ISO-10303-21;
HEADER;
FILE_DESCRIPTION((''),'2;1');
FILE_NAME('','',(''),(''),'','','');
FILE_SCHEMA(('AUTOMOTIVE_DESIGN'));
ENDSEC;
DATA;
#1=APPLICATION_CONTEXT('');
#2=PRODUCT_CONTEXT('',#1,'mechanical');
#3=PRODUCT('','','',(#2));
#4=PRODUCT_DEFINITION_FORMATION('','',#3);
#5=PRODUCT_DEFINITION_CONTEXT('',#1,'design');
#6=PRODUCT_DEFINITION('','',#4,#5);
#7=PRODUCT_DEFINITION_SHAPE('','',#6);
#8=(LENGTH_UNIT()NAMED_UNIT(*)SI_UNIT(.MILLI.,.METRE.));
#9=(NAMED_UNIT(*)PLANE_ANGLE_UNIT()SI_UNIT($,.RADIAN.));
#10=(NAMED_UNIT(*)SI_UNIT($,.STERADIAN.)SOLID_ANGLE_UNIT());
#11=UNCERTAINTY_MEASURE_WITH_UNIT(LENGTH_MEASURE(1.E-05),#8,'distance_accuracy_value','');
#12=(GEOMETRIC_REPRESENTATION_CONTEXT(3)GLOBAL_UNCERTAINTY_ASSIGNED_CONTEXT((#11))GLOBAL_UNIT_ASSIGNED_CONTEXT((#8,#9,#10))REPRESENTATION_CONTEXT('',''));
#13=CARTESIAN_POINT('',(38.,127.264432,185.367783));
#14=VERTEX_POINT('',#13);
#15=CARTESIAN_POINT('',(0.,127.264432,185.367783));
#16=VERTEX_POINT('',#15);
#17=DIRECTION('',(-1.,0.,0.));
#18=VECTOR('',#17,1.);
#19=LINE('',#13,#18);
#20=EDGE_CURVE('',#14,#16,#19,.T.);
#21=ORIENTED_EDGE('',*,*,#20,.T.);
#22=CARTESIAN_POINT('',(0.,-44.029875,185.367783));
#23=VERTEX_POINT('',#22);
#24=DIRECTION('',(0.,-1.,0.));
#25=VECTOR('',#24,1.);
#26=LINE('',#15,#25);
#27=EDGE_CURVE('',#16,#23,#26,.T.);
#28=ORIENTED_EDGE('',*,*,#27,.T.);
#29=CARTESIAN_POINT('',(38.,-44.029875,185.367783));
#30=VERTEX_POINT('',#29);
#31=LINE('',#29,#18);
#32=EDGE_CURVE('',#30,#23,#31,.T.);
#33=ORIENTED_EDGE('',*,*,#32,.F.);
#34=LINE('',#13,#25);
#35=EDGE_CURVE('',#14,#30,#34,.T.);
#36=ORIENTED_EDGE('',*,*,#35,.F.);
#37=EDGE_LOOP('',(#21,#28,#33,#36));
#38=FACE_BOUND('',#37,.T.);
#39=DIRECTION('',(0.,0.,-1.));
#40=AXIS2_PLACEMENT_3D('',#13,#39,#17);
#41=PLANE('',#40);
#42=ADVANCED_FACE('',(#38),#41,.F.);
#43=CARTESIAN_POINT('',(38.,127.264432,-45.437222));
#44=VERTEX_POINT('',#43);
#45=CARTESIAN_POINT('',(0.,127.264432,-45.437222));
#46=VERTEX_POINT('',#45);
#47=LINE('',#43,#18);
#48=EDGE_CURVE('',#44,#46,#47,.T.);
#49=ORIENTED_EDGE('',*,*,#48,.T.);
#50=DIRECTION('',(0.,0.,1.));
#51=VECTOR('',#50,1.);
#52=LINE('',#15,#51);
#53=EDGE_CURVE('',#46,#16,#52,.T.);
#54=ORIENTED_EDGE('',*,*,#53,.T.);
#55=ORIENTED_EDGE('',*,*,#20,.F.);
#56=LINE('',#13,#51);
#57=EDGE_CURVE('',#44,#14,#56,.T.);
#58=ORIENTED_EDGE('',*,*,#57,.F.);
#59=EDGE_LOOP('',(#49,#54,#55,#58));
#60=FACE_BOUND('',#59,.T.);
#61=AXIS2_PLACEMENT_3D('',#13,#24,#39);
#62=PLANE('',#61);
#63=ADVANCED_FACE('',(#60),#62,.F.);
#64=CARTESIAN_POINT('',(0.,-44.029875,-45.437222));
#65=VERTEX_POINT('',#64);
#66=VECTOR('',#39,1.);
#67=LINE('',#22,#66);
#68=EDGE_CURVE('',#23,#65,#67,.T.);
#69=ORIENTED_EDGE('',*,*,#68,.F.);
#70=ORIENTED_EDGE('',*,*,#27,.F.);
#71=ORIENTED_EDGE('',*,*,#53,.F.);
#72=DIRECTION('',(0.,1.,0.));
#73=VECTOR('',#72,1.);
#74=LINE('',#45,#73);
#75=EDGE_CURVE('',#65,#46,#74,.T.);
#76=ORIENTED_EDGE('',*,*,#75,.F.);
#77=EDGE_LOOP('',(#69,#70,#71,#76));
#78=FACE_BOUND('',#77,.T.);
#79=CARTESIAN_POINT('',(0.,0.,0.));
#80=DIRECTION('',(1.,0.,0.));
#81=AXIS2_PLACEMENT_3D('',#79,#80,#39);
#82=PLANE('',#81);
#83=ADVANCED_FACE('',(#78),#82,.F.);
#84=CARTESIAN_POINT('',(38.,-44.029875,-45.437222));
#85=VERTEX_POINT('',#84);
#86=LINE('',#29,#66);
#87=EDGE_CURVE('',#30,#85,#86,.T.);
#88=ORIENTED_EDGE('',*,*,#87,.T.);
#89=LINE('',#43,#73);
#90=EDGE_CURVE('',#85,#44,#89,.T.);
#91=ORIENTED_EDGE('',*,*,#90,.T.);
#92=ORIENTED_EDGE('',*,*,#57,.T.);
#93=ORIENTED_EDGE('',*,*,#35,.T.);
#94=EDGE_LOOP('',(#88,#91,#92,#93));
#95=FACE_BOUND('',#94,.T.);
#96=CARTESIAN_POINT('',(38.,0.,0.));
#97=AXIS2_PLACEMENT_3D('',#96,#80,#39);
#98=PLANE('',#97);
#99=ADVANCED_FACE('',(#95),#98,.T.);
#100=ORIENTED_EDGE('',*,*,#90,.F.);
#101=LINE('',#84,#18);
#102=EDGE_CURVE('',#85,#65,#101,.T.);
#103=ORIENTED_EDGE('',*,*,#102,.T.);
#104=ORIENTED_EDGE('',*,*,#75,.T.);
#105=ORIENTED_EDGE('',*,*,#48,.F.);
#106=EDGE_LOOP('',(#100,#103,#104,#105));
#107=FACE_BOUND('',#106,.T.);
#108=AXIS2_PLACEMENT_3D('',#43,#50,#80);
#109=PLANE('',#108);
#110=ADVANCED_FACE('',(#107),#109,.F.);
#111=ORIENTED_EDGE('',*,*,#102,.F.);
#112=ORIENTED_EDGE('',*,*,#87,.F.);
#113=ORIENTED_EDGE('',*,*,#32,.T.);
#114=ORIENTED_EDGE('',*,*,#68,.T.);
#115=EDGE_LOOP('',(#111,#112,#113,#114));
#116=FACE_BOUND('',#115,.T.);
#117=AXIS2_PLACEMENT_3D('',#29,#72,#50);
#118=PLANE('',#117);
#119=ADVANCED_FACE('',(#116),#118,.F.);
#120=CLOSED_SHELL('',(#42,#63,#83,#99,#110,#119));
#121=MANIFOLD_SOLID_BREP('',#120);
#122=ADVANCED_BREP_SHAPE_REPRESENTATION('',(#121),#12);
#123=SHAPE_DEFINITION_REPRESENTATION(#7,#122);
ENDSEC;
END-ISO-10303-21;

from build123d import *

# Parameters (mm, degrees)
CROQUIS1_W              = 230.805004707
CROQUIS1_H              = 171.294306629
SALIENTE_EXTRUIR1_DEPTH = 38


with BuildPart() as part:
    # Croquis1 → Saliente-Extruir1 (new body)
    with BuildSketch(Plane(origin=(0, 0, 0), x_dir=(0, 0, -1), z_dir=(1, 0, 0))):
        with Locations((-69.965280173, 41.617278724)):
            Rectangle(CROQUIS1_W, CROQUIS1_H)
    extrude(amount=SALIENTE_EXTRUIR1_DEPTH)


solid = part.part
